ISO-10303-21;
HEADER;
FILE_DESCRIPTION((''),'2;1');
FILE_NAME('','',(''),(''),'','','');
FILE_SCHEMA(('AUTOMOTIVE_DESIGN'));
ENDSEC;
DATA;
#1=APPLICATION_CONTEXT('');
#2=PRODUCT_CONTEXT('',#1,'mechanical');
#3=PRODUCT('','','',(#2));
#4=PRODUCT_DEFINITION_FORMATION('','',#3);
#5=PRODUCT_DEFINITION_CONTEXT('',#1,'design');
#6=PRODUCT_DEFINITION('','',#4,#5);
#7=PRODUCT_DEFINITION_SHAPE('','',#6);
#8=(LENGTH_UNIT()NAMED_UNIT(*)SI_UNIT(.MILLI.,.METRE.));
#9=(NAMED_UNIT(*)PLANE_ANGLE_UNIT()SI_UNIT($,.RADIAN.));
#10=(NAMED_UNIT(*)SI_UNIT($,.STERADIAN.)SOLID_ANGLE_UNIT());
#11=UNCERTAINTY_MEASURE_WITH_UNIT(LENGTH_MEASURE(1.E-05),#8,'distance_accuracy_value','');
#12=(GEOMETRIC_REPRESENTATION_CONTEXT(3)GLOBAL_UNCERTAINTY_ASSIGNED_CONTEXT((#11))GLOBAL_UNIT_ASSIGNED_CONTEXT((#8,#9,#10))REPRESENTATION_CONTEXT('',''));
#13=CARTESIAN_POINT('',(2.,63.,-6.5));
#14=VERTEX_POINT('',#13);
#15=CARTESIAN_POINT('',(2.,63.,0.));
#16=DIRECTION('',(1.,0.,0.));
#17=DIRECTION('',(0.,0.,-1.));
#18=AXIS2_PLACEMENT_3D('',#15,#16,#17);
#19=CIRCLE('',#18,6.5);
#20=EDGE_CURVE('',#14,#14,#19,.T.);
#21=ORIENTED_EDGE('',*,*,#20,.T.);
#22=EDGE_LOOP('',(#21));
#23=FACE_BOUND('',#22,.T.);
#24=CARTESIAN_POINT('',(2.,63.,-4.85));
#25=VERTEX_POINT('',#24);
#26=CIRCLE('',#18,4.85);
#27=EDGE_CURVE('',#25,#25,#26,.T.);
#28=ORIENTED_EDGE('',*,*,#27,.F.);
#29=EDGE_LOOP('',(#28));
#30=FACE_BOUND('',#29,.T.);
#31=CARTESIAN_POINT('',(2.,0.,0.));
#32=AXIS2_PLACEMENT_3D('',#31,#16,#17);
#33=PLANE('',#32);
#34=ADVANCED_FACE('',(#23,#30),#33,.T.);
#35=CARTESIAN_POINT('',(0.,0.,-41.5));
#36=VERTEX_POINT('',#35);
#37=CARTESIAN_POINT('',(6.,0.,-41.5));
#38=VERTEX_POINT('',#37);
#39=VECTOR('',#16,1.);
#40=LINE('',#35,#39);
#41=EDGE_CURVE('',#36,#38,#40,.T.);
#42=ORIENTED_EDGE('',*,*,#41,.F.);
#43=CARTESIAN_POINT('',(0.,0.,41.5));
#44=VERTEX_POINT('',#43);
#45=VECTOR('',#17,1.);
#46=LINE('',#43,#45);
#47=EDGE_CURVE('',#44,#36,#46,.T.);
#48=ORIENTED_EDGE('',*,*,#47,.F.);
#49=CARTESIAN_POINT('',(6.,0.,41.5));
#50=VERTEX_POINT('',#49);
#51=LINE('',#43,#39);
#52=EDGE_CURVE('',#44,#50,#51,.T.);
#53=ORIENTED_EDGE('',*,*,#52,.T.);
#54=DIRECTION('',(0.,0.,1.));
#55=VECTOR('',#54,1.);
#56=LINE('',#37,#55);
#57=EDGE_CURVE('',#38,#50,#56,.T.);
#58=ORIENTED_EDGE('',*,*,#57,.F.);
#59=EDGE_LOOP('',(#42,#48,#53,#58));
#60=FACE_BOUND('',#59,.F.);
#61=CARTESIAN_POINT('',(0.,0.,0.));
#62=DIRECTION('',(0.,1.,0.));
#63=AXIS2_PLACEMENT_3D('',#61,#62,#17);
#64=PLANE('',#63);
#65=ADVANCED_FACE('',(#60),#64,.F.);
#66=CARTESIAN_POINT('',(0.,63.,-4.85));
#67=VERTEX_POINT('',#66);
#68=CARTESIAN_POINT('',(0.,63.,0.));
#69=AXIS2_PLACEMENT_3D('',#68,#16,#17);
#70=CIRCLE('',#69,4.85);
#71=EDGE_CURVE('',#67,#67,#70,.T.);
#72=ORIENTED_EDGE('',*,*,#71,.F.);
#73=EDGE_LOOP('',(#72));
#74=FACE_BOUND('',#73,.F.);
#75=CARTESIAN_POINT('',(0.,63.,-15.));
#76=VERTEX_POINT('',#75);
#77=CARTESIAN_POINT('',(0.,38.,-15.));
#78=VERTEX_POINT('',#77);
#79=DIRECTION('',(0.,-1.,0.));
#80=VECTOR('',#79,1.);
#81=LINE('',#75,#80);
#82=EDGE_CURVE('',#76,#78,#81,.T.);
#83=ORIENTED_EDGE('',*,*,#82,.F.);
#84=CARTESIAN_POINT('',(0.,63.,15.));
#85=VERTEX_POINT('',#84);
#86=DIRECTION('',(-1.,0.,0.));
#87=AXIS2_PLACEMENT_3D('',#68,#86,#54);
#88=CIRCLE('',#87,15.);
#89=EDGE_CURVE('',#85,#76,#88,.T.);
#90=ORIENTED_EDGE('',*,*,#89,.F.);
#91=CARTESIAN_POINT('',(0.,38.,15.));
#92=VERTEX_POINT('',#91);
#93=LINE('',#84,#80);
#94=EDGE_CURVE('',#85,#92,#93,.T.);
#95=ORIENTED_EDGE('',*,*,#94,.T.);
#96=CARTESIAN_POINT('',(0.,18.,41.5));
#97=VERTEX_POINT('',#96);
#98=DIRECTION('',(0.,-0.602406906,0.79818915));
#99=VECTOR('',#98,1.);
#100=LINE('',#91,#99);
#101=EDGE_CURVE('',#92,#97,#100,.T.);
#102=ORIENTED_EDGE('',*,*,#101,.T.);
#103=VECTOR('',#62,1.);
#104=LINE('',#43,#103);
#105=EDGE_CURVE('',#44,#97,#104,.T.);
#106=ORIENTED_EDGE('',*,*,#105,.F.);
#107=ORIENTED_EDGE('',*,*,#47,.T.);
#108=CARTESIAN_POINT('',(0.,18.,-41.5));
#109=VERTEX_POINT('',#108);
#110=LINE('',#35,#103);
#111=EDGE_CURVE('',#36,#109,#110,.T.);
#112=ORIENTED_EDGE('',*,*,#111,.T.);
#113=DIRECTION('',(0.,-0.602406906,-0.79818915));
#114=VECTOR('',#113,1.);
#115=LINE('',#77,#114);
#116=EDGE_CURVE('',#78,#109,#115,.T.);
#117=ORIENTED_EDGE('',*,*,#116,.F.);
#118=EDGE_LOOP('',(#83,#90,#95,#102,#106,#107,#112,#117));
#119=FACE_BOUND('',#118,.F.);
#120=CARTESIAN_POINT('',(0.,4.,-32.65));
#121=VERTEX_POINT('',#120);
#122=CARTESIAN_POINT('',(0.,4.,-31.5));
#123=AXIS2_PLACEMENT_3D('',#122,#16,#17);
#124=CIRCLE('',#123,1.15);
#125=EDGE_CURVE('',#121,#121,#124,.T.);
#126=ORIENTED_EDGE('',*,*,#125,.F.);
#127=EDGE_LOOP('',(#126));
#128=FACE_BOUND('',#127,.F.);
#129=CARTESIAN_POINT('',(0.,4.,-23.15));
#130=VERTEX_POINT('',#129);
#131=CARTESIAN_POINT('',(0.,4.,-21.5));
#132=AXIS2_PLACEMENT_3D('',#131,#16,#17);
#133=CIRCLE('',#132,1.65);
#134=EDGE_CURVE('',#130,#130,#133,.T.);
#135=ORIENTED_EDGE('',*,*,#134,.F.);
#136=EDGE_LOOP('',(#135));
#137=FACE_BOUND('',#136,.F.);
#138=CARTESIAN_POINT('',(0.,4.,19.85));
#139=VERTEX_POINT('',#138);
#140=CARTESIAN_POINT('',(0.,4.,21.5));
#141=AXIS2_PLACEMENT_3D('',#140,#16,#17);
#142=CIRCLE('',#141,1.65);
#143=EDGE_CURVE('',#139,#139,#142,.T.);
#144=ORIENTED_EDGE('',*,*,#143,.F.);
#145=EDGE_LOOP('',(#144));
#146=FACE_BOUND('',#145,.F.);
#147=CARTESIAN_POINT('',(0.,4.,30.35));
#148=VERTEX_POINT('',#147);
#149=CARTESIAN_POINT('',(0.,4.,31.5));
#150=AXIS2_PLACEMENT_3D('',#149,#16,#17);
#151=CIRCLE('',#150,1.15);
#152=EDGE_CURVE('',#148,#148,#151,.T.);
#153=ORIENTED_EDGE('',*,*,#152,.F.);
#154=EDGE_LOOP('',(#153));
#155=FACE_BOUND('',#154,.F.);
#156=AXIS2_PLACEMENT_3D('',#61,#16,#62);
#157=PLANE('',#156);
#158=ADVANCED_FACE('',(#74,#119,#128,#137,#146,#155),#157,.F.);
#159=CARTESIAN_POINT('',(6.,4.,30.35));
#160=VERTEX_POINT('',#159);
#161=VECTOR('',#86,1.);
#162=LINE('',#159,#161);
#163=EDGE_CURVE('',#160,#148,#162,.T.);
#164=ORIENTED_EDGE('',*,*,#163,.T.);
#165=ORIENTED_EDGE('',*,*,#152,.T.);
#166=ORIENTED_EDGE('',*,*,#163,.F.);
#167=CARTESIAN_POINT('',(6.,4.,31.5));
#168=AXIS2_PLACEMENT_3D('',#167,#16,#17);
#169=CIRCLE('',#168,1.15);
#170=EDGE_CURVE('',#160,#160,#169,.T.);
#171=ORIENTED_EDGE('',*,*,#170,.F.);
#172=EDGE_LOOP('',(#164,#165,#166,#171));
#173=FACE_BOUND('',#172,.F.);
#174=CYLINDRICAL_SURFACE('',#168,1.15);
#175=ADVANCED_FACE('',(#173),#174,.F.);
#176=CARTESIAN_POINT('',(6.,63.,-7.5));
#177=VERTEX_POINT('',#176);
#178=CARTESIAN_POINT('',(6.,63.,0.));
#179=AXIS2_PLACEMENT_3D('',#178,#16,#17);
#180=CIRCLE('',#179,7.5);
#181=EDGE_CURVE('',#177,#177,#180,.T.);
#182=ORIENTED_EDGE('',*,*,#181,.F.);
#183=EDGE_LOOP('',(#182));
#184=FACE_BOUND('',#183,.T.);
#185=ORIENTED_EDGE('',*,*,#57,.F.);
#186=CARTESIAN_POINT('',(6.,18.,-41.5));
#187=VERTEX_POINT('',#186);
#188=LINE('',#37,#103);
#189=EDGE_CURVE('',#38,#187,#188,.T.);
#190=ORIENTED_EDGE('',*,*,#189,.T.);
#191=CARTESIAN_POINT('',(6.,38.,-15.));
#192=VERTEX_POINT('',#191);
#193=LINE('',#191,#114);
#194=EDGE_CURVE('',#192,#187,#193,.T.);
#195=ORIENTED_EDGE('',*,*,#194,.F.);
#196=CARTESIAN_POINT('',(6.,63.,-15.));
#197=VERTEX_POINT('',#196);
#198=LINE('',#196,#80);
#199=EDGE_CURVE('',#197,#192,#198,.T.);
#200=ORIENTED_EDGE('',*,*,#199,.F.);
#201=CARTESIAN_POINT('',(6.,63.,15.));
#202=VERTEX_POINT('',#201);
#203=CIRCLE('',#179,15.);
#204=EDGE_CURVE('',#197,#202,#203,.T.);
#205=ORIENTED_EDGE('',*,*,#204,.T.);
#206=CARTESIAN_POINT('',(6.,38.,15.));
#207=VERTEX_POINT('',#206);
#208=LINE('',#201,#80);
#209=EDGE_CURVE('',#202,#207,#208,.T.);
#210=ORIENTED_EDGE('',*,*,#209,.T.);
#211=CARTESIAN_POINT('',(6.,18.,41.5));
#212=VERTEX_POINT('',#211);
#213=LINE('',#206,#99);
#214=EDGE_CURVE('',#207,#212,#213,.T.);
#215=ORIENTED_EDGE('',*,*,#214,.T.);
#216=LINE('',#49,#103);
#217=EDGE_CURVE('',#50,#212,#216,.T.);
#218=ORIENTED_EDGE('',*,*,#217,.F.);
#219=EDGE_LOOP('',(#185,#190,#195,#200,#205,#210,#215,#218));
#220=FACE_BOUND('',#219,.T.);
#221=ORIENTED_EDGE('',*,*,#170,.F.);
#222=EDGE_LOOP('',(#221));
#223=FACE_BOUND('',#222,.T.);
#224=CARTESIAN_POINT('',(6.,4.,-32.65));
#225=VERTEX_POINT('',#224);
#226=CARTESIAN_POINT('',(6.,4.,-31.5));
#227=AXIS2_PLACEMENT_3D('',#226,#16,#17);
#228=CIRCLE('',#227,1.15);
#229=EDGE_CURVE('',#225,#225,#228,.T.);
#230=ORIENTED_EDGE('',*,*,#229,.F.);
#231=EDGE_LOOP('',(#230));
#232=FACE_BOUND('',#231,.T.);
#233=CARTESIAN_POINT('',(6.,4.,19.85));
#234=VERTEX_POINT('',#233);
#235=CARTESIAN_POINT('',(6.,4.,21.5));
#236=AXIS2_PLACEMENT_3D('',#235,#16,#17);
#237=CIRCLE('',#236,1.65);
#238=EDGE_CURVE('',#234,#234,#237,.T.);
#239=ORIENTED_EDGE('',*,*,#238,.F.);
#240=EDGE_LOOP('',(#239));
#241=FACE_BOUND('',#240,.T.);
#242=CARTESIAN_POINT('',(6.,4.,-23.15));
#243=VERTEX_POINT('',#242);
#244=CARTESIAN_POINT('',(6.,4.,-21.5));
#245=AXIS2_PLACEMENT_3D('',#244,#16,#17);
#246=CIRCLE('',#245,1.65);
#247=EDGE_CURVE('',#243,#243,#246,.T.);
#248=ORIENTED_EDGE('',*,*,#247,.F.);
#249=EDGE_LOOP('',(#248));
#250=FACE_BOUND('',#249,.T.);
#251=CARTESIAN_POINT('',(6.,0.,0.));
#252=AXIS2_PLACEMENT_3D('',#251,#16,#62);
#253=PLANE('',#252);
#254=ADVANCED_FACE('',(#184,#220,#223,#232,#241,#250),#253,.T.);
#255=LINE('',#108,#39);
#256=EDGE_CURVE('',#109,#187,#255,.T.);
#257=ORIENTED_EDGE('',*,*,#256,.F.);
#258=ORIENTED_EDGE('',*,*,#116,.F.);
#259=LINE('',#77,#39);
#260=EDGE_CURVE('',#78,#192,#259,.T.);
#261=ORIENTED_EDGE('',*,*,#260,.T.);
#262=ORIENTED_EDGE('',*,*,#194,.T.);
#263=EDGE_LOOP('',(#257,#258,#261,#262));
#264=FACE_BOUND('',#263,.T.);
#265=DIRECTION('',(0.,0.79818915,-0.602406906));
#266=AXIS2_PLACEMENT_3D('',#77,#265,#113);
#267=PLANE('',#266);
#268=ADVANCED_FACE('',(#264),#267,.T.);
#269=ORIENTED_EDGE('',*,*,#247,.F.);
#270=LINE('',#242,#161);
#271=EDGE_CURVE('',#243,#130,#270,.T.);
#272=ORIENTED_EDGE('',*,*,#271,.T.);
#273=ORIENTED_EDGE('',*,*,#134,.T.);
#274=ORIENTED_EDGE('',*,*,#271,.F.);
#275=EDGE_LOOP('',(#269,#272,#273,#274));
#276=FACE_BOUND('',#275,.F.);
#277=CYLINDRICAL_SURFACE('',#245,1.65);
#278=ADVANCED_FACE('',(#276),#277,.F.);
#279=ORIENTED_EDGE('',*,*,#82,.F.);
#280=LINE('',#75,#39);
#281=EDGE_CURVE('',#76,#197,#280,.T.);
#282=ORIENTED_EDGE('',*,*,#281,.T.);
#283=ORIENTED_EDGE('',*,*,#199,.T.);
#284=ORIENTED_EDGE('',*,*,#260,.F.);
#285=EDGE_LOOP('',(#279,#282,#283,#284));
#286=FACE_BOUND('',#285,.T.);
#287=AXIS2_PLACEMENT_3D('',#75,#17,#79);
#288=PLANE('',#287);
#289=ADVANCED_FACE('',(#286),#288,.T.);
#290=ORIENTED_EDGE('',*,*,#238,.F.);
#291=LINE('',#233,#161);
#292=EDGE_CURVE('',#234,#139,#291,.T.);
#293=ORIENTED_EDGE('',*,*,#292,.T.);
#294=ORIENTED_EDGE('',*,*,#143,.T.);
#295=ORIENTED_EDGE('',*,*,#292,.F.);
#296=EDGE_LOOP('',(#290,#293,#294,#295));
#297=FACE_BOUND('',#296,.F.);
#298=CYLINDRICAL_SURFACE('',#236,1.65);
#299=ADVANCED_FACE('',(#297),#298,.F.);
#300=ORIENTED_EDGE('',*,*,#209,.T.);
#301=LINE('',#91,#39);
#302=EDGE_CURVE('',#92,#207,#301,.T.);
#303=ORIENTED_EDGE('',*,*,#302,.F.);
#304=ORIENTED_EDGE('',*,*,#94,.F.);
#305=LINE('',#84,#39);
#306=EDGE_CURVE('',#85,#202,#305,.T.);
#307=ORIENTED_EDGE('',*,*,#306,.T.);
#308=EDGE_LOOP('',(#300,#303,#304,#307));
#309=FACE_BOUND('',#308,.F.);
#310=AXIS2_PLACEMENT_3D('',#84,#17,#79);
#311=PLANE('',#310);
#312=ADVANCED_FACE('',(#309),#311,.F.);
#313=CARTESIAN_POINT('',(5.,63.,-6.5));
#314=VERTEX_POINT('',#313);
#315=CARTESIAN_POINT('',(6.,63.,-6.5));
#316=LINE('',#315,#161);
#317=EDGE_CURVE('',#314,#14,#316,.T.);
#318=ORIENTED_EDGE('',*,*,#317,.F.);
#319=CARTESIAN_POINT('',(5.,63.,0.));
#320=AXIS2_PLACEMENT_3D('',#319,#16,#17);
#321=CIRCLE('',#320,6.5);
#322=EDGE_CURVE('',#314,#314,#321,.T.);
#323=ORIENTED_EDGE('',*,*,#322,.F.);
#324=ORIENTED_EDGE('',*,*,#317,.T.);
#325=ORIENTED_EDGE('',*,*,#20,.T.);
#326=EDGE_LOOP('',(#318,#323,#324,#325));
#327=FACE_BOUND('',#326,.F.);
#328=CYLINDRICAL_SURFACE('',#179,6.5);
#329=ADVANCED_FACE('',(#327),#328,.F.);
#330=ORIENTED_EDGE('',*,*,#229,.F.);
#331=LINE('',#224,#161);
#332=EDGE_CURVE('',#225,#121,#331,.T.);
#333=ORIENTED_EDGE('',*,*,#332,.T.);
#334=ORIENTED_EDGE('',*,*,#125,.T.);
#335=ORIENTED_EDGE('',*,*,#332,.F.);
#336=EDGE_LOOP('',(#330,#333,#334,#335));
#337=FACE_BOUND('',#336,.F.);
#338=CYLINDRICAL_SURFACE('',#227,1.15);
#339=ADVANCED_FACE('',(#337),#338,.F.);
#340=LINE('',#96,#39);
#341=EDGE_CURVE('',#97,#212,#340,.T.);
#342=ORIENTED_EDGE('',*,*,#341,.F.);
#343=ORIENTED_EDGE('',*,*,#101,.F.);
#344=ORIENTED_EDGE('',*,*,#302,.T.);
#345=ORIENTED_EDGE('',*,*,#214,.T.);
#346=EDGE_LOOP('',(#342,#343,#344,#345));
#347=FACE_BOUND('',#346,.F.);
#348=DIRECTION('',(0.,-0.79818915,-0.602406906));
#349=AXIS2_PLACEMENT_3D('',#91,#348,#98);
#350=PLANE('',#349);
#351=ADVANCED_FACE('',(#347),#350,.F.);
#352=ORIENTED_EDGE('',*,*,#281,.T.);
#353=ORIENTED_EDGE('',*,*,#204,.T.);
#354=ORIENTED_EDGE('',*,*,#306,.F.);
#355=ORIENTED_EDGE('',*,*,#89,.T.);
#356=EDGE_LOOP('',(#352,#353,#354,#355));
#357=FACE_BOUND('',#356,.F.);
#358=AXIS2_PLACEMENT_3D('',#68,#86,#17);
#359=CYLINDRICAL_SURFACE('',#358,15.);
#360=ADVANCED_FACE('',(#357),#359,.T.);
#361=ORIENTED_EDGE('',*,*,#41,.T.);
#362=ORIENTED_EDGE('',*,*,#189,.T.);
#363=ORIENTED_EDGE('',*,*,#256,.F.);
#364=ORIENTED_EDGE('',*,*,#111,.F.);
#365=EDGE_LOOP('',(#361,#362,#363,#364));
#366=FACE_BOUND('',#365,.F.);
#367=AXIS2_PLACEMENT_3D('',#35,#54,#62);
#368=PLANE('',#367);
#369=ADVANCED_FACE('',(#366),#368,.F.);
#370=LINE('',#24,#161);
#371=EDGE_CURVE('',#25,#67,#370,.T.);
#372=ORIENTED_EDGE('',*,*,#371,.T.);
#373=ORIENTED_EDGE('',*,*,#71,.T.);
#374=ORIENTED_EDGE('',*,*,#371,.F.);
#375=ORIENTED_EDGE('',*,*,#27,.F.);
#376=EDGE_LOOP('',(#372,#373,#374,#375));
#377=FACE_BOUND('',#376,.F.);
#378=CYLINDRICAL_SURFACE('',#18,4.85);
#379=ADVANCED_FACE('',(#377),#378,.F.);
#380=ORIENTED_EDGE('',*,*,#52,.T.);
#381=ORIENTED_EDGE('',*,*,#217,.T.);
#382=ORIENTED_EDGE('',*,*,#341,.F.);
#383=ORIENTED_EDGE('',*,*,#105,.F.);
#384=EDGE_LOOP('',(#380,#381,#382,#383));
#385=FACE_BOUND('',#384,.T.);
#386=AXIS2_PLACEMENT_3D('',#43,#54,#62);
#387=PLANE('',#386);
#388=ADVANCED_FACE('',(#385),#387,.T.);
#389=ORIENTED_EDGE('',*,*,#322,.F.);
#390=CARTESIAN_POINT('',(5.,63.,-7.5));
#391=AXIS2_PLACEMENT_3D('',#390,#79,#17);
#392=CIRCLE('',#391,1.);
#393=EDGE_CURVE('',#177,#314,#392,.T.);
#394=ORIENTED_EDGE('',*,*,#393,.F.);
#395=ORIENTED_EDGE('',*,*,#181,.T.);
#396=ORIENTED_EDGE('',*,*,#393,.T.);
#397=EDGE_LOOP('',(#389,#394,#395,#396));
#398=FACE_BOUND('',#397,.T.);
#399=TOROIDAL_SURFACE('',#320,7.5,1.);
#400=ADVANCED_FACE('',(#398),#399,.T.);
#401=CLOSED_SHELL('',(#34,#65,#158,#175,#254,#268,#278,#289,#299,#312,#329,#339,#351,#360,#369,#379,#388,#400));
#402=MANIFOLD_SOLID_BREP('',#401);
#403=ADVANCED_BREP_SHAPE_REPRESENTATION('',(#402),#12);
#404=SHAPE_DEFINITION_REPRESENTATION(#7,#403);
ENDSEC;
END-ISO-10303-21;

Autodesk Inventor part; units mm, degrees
ref_plane "YZ Plane" through (0, 0, 0) normal (1, 0, 0) x (0, 1, 0)
ref_plane "XZ Plane" through (0, 0, 0) normal (0, 1, 0) x (-1, 0, 0)
ref_plane "XY Plane" through (0, 0, 0) normal (0, 0, 1) x (1, 0, 0)
sketch "스케치1" plane through (0, 0, 0) normal (1, 0, 0) x (0, 1, 0)
  line L0 (0, -41.5) -> (18, -41.5)
  line L1 (18, -41.5) -> (18, 59.6584) construction
  line L2 (0, 0) -> (0, -41.5)
  line L3 (84.3904, 0) -> (-15.1692, 0) construction
  arc A0 (63, -15) -> (78, 0) centre (63, 0) ccw
  line L4 (63, -15) -> (38, -15)
  line L5 (38, -15) -> (18, -41.5)
  line L6 (0, 41.5) -> (18, 41.5)
  line L7 (0, 0) -> (0, 41.5)
  arc A1 (78, 0) -> (63, 15) centre (63, 0) ccw
  line L8 (63, 15) -> (38, 15)
  line L9 (38, 15) -> (18, 41.5)
  dimension "d0" = 18
  dimension "d8" = 45
  dimension "d9" = 25
extrude "돌출1" add sketch "스케치1" along normal blind 6
sketch "스케치2" plane through (6, 0, 0) normal (1, 0, 0) x (0, 0, -1)
  line L0 (-58.8675, 4) -> (65.7315, 4) construction
  line L1 (-41.5, 0) -> (41.5, 0) projected
  circle A0 centre (31.5, 4) radius 1.15
  circle A1 centre (21.5, 4) radius 1.65
  line L2 (41.5, 0) -> (41.5, 18) projected
  line L3 (0, 13.8041) -> (0, -7.7982) construction
  circle A2 centre (-31.5, 4) radius 1.15
  circle A3 centre (-21.5, 4) radius 1.65
  point P0 (0, 0)
  dimension "d12" = 4
  dimension "d13" = 2.3
  dimension "d14" = 3.3
  dimension "d15" = 10
  dimension "d16" = 20
extrude "돌출2" cut sketch "스케치2" against normal blind 6
sketch "스케치4" plane through (6, 0, 0) normal (1, 0, 0) x (0, 0, -1)
  arc A0 (15, 63) -> (-15, 63) centre (0, 63) ccw projected
  circle A1 centre (0, 63) radius 6.5
  point P0 (0, 0)
  dimension "d25" = 13
extrude "돌출4" cut sketch "스케치4" against normal blind 4
sketch "스케치5" plane through (2, 63, 0) normal (1, 0, 0) x (0, 0, -1)
  circle A0 centre (0, 0) radius 4.85
  point P0 (0, -63)
  dimension "d28" = 9.7
extrude "돌출5" cut sketch "스케치5" against normal blind 2
fillet "모깎기1" radius 1 1 edges at (6, 63, 6.5)
properties part number "탑(옆면수정)"
